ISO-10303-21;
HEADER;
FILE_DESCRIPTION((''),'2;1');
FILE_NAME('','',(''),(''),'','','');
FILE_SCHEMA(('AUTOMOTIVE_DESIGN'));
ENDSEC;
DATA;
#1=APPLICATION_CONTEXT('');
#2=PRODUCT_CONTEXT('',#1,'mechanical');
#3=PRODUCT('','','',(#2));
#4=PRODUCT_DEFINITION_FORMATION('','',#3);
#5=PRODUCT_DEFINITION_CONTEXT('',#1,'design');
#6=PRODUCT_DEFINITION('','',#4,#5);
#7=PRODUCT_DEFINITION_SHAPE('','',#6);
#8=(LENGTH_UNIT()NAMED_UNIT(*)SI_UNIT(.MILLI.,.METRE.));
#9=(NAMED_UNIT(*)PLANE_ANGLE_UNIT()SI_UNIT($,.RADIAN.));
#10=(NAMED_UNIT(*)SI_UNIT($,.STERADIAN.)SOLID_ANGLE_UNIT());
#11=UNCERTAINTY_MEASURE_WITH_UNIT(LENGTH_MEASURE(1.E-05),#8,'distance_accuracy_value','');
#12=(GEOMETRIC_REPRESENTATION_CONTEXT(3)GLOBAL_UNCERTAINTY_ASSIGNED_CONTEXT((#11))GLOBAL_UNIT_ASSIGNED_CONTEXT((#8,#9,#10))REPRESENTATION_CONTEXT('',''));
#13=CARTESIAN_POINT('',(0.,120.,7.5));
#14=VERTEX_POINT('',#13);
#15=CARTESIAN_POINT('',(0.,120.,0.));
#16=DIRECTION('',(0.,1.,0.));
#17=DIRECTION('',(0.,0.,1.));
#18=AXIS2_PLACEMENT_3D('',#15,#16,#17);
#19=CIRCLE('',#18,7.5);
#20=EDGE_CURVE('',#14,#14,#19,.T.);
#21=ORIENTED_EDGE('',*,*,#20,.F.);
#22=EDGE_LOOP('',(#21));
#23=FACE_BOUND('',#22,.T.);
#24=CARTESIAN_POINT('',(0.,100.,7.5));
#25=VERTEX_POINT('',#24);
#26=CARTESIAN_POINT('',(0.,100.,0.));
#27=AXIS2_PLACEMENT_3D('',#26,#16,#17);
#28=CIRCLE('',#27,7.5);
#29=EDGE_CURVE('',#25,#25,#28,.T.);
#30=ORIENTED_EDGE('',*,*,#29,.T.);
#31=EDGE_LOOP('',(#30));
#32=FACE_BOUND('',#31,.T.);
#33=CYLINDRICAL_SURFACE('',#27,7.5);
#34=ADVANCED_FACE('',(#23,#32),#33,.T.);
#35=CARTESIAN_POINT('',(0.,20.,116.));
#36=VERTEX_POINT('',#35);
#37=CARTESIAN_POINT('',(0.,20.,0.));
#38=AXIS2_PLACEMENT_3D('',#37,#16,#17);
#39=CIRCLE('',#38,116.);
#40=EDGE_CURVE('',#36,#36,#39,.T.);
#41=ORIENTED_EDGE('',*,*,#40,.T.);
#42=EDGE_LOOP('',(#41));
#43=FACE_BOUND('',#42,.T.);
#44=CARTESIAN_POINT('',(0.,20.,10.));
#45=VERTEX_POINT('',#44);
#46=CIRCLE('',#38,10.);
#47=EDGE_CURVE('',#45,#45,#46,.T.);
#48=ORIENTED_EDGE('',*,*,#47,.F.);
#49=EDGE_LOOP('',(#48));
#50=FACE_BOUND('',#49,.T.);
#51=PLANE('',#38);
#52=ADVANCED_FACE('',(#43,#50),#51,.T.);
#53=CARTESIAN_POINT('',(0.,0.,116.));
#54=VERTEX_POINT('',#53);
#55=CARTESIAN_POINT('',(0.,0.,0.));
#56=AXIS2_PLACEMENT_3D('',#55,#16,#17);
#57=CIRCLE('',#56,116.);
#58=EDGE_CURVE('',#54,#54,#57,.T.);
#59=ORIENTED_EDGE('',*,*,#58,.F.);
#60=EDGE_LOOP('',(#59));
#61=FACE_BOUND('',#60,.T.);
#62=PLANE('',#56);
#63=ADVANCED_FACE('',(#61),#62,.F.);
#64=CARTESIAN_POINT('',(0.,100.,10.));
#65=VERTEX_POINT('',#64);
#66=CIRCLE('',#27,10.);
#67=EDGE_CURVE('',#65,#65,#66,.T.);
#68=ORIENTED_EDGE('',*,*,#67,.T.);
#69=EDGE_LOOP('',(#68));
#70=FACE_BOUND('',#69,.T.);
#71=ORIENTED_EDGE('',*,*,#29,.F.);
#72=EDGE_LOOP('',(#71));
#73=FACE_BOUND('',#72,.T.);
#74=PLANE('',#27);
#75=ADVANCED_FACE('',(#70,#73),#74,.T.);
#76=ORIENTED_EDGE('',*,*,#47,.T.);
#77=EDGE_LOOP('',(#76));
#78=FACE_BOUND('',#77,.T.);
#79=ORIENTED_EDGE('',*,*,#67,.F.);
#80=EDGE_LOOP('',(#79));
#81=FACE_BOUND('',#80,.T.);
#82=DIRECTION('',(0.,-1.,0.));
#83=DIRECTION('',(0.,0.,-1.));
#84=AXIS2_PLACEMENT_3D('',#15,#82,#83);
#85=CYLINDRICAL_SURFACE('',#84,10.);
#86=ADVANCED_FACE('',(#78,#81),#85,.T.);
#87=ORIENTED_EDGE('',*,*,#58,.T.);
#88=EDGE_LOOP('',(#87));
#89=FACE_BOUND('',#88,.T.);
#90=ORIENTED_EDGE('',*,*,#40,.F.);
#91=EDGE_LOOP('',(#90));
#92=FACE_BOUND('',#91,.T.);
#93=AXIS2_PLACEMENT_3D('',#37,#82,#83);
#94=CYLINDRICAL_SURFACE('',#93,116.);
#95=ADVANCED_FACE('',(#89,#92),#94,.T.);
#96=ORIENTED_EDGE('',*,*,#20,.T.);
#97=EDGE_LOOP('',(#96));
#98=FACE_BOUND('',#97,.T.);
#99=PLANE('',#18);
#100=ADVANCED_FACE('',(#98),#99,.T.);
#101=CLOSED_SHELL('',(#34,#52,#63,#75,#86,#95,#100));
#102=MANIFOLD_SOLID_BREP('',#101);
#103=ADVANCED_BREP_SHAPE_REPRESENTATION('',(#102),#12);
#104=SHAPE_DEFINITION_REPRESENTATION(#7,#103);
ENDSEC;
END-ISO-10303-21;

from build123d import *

# Parameters (mm, degrees)
SKETCH1_R           = 116
BOSS_EXTRUDE1_DEPTH = 20
SKETCH2_R           = 10
BOSS_EXTRUDE2_DEPTH = 100
SKETCH3_OUTSIDE_W   = 303.87
SKETCH3_OUTSIDE_H   = 303.87
SKETCH3_OUTSIDE_R   = 7.5
CUT_EXTRUDE1_DEPTH  = 20


with BuildPart() as part:
    # Sketch1 → Boss-Extrude1 (new body)
    with BuildSketch(Plane(origin=(0, 0, 0), x_dir=(1, 0, 0), z_dir=(0, 1, 0))):
        with Locations(Location((0, 0, 0), (0, 0, 270))):
            Circle(SKETCH1_R)
    extrude(amount=BOSS_EXTRUDE1_DEPTH)

    # Sketch2 → Boss-Extrude2 (add)
    with BuildSketch(Plane(origin=(0, 20, 0), x_dir=(1, 0, 0), z_dir=(0, 1, 0))):
        with Locations(Location((0, 0, 0), (0, 0, 270))):
            Circle(SKETCH2_R)
    extrude(amount=BOSS_EXTRUDE2_DEPTH)

    # Sketch3 outside → Cut-Extrude1 (cut)
    with BuildSketch(Plane(origin=(0, 120, 0), x_dir=(1, 0, 0), z_dir=(0, 1, 0))):
        Rectangle(SKETCH3_OUTSIDE_W, SKETCH3_OUTSIDE_H)
        with Locations(Location((0, 0, 0), (0, 0, 270))):
            Circle(SKETCH3_OUTSIDE_R, mode=Mode.SUBTRACT)
    extrude(amount=-CUT_EXTRUDE1_DEPTH, mode=Mode.SUBTRACT)


solid = part.part
